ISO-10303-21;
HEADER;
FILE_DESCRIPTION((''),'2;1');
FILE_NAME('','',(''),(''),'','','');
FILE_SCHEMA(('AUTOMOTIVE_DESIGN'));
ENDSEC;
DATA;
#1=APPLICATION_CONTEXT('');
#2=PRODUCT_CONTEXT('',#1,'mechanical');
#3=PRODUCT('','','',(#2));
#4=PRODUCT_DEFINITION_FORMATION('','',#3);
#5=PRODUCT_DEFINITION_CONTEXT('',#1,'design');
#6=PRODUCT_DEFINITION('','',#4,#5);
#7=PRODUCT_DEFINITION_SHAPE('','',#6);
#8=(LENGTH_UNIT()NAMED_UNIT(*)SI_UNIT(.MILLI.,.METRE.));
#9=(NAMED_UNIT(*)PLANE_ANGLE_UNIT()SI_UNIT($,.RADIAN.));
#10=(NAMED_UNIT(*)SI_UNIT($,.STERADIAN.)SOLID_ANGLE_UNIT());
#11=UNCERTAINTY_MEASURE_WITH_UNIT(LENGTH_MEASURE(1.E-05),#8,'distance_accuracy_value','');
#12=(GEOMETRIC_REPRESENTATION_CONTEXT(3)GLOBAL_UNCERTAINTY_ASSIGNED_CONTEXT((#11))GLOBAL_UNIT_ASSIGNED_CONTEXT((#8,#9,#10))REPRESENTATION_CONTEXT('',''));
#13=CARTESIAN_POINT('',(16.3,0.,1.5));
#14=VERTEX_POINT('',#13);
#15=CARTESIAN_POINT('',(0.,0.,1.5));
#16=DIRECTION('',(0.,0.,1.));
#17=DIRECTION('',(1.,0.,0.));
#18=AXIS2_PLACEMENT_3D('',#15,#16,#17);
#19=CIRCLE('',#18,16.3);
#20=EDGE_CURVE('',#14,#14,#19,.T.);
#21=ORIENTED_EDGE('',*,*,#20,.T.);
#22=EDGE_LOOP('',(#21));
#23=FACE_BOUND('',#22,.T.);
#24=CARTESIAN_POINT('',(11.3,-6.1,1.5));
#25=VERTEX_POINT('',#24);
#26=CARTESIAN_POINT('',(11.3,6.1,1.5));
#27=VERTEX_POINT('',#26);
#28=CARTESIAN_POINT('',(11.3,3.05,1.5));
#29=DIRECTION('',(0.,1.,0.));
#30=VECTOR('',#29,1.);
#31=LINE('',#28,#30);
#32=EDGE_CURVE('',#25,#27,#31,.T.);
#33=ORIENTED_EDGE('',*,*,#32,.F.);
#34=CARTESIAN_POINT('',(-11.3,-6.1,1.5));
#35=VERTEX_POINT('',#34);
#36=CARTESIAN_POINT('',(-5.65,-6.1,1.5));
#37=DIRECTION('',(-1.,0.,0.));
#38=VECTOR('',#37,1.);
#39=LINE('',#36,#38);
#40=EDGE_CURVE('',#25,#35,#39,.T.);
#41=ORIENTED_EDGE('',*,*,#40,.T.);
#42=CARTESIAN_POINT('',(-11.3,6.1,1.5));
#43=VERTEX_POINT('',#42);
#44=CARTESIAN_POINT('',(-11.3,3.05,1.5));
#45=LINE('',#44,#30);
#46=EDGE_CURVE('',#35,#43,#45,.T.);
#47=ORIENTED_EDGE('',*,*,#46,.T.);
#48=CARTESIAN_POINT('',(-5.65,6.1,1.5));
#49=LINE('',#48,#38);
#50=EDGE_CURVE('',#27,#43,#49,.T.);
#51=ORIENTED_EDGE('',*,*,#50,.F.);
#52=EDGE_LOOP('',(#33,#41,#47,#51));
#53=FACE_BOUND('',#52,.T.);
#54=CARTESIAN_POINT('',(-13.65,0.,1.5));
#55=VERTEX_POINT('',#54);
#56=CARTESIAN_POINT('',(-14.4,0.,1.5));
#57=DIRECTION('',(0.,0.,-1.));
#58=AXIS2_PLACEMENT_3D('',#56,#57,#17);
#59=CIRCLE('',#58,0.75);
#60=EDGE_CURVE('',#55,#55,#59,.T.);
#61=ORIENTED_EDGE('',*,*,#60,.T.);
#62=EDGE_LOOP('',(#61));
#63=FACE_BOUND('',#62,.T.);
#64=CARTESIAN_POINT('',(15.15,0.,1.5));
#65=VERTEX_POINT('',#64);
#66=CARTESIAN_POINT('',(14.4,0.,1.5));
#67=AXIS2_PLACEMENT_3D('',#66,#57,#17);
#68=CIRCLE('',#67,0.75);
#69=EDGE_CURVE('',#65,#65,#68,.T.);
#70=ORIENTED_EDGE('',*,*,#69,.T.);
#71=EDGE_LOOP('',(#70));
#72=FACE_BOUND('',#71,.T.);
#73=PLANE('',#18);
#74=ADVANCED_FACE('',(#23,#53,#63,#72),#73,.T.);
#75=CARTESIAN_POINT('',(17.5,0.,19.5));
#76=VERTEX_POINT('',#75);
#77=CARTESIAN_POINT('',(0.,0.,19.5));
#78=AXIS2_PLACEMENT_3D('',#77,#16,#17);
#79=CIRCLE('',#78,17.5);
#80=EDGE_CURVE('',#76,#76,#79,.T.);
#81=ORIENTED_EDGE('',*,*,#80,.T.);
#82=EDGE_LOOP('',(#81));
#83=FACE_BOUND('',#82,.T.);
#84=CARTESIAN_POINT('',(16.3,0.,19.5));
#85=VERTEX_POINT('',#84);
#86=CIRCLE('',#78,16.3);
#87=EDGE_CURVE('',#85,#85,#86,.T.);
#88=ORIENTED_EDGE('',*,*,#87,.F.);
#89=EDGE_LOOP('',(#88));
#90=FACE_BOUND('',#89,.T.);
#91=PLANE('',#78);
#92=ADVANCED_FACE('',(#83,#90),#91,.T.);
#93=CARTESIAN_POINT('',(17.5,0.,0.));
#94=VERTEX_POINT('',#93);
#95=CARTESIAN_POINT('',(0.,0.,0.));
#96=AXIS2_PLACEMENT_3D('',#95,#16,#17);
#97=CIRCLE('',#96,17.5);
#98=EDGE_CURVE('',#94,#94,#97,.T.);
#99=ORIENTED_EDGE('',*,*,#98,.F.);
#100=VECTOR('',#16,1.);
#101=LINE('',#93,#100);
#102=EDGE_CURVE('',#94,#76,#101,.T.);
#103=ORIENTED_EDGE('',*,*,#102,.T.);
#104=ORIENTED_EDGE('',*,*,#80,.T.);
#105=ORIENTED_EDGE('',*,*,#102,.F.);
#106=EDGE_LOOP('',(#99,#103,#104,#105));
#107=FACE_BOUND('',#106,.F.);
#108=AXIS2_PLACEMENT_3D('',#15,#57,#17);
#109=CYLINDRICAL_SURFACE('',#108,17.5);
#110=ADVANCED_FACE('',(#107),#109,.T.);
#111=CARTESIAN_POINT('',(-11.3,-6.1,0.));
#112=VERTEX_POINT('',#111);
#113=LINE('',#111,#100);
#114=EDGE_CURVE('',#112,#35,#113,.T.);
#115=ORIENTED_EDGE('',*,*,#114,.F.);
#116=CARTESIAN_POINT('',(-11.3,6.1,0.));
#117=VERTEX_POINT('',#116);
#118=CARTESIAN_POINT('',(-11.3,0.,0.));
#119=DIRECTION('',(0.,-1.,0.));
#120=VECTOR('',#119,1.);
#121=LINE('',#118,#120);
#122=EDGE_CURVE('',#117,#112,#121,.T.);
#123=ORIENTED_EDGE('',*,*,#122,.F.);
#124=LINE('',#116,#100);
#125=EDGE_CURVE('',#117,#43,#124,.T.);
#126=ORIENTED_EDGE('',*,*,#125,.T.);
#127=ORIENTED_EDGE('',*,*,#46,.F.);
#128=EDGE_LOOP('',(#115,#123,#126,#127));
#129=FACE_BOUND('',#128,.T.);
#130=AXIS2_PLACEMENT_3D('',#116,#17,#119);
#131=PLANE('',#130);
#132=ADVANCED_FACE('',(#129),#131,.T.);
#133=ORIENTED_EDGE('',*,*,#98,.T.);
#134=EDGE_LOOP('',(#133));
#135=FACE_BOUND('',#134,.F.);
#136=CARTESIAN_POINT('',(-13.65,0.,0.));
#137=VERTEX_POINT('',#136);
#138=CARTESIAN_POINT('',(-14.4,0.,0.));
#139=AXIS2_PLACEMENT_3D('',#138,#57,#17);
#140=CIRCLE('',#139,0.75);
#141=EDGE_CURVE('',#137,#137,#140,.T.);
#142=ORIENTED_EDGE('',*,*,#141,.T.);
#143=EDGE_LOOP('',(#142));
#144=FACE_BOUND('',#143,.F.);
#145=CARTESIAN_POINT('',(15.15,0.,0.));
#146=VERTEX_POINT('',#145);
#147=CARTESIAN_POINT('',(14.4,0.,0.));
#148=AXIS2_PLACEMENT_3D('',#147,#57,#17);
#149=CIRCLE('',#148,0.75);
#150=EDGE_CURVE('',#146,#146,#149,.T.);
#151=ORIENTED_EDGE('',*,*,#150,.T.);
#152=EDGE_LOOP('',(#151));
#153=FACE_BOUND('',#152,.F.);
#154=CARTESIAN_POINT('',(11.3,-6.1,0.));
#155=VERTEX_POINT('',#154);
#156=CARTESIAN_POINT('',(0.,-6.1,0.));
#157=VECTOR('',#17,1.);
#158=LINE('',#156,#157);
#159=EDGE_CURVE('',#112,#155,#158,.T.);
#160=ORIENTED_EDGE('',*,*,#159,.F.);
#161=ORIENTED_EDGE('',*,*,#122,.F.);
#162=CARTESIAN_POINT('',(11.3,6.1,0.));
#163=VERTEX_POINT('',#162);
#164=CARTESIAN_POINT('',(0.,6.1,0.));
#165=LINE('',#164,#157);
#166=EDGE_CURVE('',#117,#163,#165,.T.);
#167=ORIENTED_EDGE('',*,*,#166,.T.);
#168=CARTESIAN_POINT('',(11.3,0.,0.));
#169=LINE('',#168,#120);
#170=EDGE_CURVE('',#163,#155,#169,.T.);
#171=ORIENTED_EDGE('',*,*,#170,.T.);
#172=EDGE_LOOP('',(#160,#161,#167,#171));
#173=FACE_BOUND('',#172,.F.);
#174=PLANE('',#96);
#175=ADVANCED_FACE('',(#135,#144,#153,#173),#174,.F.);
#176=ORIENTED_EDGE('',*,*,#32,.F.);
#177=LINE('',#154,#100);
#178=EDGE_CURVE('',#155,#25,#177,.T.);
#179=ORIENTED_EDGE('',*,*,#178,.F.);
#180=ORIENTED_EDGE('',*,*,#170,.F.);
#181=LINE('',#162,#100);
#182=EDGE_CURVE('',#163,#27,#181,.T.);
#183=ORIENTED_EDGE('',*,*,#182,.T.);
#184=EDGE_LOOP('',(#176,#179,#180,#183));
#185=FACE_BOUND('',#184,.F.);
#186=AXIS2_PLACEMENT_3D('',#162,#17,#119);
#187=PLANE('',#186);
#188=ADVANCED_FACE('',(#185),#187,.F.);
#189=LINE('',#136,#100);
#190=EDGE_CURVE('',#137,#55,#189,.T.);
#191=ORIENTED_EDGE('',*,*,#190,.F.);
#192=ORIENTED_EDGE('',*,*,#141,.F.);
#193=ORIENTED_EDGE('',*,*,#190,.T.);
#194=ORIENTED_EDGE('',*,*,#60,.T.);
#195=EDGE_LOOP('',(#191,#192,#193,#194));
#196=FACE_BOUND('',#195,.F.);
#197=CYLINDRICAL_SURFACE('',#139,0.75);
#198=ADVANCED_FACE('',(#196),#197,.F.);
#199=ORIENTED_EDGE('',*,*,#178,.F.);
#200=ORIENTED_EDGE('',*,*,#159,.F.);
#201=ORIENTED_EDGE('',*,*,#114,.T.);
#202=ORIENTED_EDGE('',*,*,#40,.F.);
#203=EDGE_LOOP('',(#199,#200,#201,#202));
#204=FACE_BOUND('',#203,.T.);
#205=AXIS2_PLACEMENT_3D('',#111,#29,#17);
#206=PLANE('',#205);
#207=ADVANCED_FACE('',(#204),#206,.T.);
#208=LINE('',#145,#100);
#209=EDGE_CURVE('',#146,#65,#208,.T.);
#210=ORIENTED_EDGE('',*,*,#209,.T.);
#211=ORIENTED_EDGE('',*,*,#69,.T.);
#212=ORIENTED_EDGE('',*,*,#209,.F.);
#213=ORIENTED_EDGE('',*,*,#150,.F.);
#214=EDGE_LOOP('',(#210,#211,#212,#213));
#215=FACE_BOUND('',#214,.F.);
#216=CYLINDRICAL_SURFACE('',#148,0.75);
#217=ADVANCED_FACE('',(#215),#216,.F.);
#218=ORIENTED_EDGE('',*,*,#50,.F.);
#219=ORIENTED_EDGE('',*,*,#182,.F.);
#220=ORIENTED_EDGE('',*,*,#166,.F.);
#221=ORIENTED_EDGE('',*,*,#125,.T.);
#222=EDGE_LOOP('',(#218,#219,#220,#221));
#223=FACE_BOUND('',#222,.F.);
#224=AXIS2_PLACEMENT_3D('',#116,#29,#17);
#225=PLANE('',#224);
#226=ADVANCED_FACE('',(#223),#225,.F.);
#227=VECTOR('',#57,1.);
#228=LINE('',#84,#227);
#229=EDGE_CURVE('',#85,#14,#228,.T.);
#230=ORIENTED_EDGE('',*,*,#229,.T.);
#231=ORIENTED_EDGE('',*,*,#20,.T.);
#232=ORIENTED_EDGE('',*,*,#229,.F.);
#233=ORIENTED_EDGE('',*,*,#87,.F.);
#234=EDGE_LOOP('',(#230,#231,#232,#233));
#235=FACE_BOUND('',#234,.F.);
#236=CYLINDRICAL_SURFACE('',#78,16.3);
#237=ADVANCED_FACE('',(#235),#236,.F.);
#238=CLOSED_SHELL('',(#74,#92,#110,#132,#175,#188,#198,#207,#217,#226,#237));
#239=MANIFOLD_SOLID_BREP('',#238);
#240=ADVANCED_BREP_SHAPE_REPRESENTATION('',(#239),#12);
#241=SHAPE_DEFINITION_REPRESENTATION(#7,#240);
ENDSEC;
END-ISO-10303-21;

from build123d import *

# Parameters (mm, degrees)
SKETCH_R        = 17.5
PAD_DEPTH       = 20
SKETCH001_R     = 32
POCKET_DEPTH    = 18.5
SKETCH002_R     = 0.75
SKETCH002_W     = 22.6
SKETCH002_H     = 12.2
POCKET001_DEPTH = 5
SKETCH005_R     = 17.5
PAD001_DEPTH    = 18
SKETCH006_R     = 16.3
POCKET002_DEPTH = 18


with BuildPart() as part:
    # Sketch → Pad (new body)
    with BuildSketch(Plane.XY):
        Circle(SKETCH_R)
    extrude(amount=PAD_DEPTH)

    # Sketch001 (on Face3 of Pad) → Pocket (cut)
    with BuildSketch(Plane.XY.offset(20)):
        Circle(SKETCH001_R)
    extrude(amount=-POCKET_DEPTH, mode=Mode.SUBTRACT)

    # Sketch002 (on Face2 of Pocket) → Pocket001 (cut)
    with BuildSketch(Plane(origin=(0, 0, 0), x_dir=(1, 0, 0), z_dir=(0, 0, -1))):
        with Locations((-14.4, 0)):
            Circle(SKETCH002_R)
        with Locations((14.4, 0)):
            Circle(SKETCH002_R)
        Rectangle(SKETCH002_W, SKETCH002_H)
    extrude(amount=-POCKET001_DEPTH, mode=Mode.SUBTRACT)

    # Sketch005 (on Face3 of Pocket001) → Pad001 (join)
    with BuildSketch(Plane.XY.offset(1.5)):
        Circle(SKETCH005_R)
    extrude(amount=PAD001_DEPTH)

    # Sketch006 (on Face4 of Pad001) → Pocket002 (cut)
    with BuildSketch(Plane.XY.offset(19.5)):
        Circle(SKETCH006_R)
    extrude(amount=-POCKET002_DEPTH, mode=Mode.SUBTRACT)


solid = part.part
